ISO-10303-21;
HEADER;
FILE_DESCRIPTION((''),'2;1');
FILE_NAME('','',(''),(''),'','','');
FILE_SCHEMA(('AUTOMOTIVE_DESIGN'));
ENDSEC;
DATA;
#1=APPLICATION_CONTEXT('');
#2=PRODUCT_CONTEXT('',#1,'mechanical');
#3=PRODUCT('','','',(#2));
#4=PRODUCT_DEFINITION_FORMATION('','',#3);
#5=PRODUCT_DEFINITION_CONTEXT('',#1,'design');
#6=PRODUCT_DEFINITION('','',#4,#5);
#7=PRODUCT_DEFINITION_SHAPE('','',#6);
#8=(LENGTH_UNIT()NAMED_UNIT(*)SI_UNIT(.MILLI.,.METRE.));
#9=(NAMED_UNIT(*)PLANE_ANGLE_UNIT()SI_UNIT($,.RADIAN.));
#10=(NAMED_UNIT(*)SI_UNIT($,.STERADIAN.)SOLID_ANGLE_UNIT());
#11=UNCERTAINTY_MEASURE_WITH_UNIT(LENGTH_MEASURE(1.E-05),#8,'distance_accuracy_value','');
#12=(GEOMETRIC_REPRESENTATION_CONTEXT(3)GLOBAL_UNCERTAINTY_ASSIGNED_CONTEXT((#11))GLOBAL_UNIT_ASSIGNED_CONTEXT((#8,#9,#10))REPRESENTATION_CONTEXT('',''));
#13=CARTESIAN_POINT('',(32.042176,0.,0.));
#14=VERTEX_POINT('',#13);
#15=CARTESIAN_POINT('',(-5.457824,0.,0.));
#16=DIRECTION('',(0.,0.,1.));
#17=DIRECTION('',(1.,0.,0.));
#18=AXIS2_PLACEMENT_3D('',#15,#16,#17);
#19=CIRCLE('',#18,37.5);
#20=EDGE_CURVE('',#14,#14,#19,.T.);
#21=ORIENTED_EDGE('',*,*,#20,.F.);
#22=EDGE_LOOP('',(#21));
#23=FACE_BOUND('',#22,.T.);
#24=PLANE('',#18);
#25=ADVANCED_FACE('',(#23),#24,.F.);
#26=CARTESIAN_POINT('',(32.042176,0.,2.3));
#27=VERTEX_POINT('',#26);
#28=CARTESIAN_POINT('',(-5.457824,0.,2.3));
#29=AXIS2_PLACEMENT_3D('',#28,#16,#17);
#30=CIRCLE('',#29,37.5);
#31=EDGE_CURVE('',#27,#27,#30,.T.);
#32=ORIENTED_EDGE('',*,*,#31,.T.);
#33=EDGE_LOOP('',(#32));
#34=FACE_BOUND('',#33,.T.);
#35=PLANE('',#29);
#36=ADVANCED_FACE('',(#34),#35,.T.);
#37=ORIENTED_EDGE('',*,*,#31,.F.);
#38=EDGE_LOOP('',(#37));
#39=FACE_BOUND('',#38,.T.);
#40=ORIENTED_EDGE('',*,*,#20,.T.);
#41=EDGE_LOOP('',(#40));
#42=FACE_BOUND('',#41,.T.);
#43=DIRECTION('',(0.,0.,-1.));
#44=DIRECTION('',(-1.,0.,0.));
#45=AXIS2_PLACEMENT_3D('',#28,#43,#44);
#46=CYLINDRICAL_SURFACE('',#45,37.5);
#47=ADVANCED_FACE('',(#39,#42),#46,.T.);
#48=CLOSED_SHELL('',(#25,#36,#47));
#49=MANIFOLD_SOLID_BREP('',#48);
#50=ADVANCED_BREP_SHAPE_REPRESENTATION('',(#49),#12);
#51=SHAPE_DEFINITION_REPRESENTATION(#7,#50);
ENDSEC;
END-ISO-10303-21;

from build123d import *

# Parameters (mm, degrees)
SKETCH_1_R      = 37.5
EXTRUDE_1_DEPTH = 2.3


with BuildPart() as part:
    # 草图1 → 凸台-拉伸1 (new body)
    with BuildSketch(Plane.XY):
        with Locations((-5.457823936, 0)):
            Circle(SKETCH_1_R)
    extrude(amount=EXTRUDE_1_DEPTH)


solid = part.part
